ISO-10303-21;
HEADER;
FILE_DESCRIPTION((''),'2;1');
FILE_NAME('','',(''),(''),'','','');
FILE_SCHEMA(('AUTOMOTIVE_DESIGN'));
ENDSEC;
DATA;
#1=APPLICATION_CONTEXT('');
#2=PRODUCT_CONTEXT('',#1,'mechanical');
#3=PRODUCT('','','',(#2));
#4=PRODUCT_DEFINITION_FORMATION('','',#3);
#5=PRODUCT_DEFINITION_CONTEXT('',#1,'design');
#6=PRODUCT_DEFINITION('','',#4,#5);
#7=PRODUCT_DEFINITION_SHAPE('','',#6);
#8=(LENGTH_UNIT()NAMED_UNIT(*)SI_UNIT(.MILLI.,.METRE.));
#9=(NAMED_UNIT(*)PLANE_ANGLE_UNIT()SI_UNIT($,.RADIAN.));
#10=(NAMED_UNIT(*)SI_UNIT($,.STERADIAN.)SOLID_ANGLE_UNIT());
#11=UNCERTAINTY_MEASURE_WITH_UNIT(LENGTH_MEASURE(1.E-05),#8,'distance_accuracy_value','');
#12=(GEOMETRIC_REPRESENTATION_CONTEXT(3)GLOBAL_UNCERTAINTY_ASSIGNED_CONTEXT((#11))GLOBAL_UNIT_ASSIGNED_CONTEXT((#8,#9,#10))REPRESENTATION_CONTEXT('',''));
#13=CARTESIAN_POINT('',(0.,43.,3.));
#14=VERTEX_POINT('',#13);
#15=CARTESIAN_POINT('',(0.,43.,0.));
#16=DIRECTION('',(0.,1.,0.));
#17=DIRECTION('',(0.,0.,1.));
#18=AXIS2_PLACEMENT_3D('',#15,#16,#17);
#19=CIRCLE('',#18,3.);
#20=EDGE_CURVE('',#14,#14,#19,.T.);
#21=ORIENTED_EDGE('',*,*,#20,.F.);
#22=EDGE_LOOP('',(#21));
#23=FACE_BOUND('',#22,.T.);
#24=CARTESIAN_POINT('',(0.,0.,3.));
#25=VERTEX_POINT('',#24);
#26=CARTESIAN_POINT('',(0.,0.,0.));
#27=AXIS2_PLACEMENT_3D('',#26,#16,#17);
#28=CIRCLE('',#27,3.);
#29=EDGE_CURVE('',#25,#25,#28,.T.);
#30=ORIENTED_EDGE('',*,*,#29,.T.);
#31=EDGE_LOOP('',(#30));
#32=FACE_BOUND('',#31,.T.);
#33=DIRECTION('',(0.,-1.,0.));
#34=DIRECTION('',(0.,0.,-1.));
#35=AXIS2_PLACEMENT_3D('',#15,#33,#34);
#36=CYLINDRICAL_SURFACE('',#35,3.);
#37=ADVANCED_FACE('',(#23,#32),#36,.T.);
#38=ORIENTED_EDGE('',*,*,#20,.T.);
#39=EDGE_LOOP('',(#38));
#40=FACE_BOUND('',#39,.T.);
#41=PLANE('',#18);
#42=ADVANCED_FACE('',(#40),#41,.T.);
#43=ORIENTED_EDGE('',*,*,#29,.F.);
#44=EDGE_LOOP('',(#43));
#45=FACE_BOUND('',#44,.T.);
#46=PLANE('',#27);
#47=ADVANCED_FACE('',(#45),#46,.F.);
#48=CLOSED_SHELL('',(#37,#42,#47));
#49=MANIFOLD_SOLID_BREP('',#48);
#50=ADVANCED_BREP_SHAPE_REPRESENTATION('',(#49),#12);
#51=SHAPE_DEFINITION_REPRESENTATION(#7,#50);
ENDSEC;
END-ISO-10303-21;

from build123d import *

# Parameters (mm, degrees)
SKETCH1_R           = 3
BOSS_EXTRUDE1_DEPTH = 43


with BuildPart() as part:
    # Sketch1 → Boss-Extrude1 (new body)
    with BuildSketch(Plane(origin=(0, 0, 0), x_dir=(1, 0, 0), z_dir=(0, 1, 0))):
        with Locations(Location((0, 0, 0), (0, 0, 270))):  # turned: the seam where the file's is
            Circle(SKETCH1_R)
    extrude(amount=BOSS_EXTRUDE1_DEPTH)


solid = part.part
